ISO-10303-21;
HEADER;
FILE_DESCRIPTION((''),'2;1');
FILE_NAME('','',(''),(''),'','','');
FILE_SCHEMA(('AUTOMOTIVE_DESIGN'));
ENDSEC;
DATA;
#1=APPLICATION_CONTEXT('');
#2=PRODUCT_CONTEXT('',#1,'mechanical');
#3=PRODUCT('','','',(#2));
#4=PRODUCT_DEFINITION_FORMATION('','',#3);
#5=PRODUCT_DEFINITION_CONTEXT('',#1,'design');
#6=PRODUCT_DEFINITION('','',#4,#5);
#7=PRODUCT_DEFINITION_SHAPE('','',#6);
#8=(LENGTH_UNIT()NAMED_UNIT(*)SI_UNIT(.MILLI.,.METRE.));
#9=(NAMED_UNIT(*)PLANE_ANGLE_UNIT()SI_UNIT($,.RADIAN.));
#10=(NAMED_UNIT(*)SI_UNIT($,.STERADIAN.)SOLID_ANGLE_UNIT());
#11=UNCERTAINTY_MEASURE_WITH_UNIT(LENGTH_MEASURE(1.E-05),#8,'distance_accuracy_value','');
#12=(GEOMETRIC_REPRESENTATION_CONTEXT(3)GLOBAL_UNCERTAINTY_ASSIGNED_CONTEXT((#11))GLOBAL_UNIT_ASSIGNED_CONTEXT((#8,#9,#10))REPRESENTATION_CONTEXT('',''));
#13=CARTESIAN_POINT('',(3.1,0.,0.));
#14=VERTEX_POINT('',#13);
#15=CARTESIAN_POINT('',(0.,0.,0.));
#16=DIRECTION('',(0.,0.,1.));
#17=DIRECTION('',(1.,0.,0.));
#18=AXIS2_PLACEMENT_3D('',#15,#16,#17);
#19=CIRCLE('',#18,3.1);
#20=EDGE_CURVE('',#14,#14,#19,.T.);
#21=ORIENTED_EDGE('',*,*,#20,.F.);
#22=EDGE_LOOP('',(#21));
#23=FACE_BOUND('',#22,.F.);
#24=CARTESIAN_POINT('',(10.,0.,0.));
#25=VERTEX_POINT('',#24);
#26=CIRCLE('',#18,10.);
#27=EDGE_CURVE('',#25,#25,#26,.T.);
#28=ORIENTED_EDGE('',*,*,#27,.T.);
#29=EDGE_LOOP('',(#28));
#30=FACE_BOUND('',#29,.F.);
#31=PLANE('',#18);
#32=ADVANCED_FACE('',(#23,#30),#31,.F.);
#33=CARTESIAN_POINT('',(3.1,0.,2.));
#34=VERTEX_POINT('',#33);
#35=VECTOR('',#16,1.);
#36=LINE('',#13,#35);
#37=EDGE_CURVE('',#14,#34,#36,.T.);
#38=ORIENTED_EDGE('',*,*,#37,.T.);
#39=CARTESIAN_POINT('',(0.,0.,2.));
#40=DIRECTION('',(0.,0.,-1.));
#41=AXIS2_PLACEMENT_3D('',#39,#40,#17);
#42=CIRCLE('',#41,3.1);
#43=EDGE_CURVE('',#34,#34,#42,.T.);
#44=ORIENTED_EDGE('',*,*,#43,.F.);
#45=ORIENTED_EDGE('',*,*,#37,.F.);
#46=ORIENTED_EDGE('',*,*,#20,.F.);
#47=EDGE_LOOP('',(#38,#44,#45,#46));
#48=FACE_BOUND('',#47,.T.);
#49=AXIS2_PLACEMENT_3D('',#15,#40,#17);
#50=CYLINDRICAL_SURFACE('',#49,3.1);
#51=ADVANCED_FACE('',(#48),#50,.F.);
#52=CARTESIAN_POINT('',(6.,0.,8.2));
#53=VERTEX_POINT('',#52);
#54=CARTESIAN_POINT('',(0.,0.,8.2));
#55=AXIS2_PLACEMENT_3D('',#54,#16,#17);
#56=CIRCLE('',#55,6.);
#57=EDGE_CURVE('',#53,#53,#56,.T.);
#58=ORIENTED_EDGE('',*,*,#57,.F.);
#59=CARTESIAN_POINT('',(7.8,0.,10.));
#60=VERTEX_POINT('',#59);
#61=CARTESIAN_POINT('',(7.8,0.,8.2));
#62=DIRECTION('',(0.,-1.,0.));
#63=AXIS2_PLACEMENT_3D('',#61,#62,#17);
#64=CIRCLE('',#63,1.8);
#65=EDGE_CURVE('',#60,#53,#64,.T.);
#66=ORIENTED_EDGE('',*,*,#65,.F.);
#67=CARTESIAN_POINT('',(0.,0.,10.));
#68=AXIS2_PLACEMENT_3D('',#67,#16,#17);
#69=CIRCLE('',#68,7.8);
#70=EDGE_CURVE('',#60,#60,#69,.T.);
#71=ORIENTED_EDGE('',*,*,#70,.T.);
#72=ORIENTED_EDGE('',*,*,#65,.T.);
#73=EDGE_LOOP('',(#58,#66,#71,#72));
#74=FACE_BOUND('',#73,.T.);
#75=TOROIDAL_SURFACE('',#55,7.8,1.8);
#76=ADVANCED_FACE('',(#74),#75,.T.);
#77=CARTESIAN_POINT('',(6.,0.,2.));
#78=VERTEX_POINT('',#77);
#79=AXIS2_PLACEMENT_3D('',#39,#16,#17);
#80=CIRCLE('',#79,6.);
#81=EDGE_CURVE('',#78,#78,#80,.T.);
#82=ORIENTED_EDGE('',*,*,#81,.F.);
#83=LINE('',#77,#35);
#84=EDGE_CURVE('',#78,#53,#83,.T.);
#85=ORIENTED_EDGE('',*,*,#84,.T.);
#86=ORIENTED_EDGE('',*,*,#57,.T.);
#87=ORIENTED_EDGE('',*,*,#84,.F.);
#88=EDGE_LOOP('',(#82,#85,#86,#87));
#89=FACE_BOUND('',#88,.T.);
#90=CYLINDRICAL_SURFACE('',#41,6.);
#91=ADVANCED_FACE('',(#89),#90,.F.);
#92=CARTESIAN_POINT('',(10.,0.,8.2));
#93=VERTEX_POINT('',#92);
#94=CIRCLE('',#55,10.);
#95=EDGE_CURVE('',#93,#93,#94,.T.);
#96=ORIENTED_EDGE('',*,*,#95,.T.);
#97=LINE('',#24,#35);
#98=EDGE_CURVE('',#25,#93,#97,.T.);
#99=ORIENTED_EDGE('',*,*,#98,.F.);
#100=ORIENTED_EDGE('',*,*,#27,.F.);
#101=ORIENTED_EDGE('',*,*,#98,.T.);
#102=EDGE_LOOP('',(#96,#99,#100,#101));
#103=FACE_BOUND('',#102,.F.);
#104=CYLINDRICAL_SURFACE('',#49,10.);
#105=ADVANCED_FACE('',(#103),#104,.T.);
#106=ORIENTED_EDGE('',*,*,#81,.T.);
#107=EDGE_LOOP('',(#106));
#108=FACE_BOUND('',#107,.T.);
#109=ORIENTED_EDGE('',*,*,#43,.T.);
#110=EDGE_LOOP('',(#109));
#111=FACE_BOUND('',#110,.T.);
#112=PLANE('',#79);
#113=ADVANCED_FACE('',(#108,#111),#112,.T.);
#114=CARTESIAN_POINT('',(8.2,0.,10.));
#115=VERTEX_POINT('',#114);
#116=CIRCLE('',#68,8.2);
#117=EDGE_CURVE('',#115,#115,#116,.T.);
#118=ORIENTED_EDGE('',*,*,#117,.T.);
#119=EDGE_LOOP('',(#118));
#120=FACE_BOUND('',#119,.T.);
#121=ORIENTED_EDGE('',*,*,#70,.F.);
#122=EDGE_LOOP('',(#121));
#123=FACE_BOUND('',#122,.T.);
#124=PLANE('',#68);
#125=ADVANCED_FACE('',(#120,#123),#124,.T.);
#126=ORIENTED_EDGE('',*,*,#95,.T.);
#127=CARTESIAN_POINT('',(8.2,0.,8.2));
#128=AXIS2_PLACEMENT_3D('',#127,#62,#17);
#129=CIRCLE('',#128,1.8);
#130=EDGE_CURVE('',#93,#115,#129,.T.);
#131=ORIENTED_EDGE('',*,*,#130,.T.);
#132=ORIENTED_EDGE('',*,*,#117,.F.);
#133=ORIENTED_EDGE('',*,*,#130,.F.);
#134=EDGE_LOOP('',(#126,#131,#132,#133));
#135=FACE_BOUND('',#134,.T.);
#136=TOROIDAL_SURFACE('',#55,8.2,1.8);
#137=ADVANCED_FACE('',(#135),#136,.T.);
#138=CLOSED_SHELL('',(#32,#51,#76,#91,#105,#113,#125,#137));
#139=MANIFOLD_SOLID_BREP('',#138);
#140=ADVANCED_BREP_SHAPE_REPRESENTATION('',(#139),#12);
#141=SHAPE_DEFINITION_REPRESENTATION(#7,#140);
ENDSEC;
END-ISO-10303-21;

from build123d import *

# Parameters (mm, degrees)
CYLINDER002_R     = 6
CYLINDER002_DEPTH = 8
CYLINDER001_R     = 3.1
CYLINDER001_DEPTH = 10
CYLINDER_R        = 10
CYLINDER_DEPTH    = 10
FILLET_R          = 1.8


with BuildPart() as cylinder002:
    # Cylinder002 → Cylinder002 (new body)
    with BuildSketch(Plane.XY.offset(2)):
        Circle(CYLINDER002_R)
    extrude(amount=CYLINDER002_DEPTH)


with BuildPart() as cylinder001:
    # Cylinder001 → Cylinder001 (new body)
    with BuildSketch(Plane.XY):
        Circle(CYLINDER001_R)
    extrude(amount=CYLINDER001_DEPTH)


with BuildPart() as fillet_body:
    # Cylinder → Cylinder (new body)
    with BuildSketch(Plane.XY):
        Circle(CYLINDER_R)
    extrude(amount=CYLINDER_DEPTH)

    # Cut: cut Cylinder001
    add(cylinder001.part, mode=Mode.SUBTRACT)

    # Cut001: cut Cylinder002
    add(cylinder002.part, mode=Mode.SUBTRACT)

    # Fillet
    fillet_edges = [fillet_body.edges().sort_by_distance(p)[0] for p in [
        (-10, 0, 10),
        (-6, 0, 10),
    ]]
    fillet(fillet_edges, radius=FILLET_R)


solid = fillet_body.part
